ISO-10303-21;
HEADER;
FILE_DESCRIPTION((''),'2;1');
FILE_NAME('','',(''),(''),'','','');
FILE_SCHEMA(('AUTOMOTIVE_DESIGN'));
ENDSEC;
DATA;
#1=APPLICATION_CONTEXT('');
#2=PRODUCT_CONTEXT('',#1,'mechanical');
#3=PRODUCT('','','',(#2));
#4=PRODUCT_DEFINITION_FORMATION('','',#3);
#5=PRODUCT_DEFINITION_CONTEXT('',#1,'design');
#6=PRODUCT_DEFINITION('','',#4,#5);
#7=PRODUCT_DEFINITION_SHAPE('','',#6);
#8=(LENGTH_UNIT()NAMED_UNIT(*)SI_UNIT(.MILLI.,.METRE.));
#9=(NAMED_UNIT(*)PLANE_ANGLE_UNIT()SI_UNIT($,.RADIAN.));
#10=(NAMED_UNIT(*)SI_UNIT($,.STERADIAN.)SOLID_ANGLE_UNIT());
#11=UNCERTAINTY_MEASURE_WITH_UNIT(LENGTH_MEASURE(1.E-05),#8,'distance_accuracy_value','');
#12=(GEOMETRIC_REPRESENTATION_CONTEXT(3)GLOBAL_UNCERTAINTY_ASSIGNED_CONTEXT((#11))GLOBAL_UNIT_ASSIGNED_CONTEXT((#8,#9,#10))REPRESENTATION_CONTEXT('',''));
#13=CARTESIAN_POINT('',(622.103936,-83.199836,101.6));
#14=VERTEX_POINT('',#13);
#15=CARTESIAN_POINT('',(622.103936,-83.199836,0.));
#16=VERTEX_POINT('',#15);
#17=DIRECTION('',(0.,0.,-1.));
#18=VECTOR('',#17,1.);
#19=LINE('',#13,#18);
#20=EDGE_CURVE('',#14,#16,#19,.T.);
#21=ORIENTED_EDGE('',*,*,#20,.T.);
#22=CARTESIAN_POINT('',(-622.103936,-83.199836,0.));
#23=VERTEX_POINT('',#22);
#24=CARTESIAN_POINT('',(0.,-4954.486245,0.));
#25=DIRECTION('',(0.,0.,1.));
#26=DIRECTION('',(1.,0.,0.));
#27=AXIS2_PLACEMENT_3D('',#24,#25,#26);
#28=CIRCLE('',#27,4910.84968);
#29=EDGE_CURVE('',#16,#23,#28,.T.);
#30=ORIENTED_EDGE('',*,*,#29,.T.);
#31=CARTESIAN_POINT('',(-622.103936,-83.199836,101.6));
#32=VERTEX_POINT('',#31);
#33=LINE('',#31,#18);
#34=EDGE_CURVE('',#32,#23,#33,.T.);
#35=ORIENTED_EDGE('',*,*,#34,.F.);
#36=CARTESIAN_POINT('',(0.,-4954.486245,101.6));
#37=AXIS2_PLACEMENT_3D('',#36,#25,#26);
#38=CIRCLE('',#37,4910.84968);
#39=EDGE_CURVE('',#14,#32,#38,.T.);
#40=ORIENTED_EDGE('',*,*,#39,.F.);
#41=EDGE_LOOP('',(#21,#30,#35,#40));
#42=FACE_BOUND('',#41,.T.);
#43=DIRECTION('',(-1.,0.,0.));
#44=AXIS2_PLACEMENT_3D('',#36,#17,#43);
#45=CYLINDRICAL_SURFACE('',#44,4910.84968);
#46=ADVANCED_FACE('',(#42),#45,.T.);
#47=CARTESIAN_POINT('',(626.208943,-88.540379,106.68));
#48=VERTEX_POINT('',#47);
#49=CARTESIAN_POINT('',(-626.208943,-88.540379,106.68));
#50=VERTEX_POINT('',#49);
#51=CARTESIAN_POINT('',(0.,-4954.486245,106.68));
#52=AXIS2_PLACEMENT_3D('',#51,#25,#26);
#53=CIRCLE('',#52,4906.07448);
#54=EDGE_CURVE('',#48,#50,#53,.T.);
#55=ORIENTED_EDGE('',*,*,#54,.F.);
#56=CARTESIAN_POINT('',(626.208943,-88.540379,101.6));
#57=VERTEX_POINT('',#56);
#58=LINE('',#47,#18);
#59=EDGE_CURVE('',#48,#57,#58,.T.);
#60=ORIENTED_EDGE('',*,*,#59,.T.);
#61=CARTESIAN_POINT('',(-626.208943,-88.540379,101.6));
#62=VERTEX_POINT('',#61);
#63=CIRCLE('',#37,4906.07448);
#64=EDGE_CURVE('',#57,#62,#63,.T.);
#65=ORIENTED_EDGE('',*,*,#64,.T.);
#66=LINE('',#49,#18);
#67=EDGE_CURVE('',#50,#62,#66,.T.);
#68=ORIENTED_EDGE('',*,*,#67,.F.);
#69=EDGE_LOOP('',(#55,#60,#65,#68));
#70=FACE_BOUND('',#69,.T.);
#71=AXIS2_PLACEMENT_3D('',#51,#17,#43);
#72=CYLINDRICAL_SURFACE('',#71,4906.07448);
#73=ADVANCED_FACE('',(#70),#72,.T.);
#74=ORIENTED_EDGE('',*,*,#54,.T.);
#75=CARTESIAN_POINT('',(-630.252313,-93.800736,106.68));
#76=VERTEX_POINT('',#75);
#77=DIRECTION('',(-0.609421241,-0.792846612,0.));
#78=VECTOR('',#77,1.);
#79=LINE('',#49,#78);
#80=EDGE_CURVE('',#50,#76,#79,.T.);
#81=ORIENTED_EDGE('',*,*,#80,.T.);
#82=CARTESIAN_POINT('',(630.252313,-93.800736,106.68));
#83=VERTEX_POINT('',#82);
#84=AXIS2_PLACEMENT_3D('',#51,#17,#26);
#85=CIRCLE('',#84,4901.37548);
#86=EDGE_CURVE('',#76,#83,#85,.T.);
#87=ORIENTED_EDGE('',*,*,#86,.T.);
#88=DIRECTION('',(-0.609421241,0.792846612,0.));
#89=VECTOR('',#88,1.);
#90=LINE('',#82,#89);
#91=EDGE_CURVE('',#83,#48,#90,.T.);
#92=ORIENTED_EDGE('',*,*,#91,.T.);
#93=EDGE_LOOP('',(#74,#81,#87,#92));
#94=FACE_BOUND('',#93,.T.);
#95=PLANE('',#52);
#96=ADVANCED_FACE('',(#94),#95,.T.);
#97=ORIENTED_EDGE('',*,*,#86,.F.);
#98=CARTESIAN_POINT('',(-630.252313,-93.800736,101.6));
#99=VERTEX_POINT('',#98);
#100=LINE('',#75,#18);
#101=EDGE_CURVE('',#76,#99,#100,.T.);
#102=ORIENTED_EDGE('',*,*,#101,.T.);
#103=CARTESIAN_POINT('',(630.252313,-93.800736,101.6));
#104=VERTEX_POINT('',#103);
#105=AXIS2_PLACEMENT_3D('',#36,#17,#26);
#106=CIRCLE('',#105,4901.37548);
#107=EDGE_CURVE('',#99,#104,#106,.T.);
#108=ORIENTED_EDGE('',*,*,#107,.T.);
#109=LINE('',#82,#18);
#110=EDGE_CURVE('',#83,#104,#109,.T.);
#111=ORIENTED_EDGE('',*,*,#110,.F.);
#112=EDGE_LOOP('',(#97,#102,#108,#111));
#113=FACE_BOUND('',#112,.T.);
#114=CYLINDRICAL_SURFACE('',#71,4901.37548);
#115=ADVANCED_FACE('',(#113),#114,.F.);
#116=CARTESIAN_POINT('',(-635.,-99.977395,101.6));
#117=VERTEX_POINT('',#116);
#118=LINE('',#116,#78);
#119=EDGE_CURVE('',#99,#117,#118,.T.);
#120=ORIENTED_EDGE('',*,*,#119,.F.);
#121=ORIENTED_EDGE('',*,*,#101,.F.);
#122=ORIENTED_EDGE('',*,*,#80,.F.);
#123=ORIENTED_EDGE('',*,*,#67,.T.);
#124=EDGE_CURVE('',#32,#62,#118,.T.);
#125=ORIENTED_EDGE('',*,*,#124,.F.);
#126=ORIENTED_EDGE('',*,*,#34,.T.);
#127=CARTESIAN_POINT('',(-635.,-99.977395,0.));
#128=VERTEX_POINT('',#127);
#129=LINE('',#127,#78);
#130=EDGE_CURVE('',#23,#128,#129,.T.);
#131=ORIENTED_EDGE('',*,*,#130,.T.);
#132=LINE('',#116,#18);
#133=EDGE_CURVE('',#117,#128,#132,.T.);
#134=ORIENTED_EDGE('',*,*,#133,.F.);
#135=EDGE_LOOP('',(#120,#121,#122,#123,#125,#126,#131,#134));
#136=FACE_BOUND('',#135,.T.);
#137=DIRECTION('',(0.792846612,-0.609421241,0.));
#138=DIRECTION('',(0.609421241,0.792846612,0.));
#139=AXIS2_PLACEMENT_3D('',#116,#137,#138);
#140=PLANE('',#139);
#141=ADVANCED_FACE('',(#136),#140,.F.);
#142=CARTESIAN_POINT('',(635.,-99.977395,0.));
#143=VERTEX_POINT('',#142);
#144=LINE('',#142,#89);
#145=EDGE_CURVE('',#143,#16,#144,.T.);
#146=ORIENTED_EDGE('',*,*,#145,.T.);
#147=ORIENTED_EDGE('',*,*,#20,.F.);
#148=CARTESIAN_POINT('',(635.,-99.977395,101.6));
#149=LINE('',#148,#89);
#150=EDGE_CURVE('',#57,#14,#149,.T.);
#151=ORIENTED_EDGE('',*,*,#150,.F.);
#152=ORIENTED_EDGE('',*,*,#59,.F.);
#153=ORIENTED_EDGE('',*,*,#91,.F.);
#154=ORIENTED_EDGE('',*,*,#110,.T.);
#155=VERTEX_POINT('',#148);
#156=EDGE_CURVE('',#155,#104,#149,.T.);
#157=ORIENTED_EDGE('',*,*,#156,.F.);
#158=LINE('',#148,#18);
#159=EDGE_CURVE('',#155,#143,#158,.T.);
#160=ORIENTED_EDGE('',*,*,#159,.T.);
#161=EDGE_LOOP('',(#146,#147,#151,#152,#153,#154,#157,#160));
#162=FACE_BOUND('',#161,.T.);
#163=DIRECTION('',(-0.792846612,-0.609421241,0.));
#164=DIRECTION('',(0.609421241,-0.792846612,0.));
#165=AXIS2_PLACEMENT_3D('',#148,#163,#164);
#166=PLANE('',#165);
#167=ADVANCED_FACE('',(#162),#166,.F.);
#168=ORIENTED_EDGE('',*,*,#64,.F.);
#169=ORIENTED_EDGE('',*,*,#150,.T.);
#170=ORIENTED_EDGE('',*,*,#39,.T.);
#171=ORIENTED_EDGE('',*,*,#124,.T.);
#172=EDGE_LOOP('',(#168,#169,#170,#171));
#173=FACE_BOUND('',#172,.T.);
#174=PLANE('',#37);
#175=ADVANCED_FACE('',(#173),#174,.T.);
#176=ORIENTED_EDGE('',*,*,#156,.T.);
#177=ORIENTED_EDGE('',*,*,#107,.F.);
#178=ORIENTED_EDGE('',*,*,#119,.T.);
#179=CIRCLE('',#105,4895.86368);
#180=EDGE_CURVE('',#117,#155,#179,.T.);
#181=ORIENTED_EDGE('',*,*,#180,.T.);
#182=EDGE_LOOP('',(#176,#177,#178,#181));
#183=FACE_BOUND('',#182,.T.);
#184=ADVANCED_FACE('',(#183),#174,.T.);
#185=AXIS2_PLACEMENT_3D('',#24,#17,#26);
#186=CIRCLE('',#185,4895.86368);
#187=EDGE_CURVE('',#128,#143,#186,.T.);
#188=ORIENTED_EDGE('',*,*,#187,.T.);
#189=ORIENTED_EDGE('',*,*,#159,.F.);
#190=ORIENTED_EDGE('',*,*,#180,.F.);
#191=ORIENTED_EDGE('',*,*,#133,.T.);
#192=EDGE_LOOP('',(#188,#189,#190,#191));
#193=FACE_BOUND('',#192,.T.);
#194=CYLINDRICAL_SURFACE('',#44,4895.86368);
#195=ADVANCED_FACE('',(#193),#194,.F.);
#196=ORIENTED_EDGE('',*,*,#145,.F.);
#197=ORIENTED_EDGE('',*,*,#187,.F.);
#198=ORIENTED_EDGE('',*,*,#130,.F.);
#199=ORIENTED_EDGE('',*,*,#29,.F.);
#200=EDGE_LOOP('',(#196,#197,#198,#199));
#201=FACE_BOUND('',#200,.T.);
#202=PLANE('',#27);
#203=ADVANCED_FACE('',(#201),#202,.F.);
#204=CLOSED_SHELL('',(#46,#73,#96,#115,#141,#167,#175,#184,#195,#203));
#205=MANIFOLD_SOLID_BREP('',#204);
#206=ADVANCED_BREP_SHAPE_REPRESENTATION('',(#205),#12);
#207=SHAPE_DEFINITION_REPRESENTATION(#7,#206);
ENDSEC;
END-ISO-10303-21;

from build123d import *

# Parameters (mm, degrees)
BOSS_EXTRUDE1_DEPTH = 101.6
BOSS_EXTRUDE2_DEPTH = 5.08


with BuildPart() as part:
    # Sketch1 → Boss-Extrude1 (new body)
    with BuildSketch(Plane.XY):
        with BuildLine():
            Line((-635, -99.977394786), (-622.103936151, -83.199836272))
            ThreePointArc((-622.103936151, -83.199836272), (0, -43.636564626), (622.103936151, -83.199836272))
            Line((622.103936151, -83.199836272), (635, -99.977394786))
            ThreePointArc((635, -99.977394786), (0, -58.622564626), (-635, -99.977394786))
        make_face()
    extrude(amount=BOSS_EXTRUDE1_DEPTH)

    # Sketch2 → Boss-Extrude2 (add)
    with BuildSketch(Plane.XY.offset(101.6)):
        with BuildLine():
            Line((-626.208942531, -88.540379367), (-630.25231332, -93.800735613))
            ThreePointArc((-630.25231332, -93.800735613), (0, -53.110764626), (630.25231332, -93.800735613))
            Line((630.25231332, -93.800735613), (626.208942531, -88.540379367))
            ThreePointArc((626.208942531, -88.540379367), (0, -48.411764626), (-626.208942531, -88.540379367))
        make_face()
    extrude(amount=BOSS_EXTRUDE2_DEPTH)


solid = part.part
